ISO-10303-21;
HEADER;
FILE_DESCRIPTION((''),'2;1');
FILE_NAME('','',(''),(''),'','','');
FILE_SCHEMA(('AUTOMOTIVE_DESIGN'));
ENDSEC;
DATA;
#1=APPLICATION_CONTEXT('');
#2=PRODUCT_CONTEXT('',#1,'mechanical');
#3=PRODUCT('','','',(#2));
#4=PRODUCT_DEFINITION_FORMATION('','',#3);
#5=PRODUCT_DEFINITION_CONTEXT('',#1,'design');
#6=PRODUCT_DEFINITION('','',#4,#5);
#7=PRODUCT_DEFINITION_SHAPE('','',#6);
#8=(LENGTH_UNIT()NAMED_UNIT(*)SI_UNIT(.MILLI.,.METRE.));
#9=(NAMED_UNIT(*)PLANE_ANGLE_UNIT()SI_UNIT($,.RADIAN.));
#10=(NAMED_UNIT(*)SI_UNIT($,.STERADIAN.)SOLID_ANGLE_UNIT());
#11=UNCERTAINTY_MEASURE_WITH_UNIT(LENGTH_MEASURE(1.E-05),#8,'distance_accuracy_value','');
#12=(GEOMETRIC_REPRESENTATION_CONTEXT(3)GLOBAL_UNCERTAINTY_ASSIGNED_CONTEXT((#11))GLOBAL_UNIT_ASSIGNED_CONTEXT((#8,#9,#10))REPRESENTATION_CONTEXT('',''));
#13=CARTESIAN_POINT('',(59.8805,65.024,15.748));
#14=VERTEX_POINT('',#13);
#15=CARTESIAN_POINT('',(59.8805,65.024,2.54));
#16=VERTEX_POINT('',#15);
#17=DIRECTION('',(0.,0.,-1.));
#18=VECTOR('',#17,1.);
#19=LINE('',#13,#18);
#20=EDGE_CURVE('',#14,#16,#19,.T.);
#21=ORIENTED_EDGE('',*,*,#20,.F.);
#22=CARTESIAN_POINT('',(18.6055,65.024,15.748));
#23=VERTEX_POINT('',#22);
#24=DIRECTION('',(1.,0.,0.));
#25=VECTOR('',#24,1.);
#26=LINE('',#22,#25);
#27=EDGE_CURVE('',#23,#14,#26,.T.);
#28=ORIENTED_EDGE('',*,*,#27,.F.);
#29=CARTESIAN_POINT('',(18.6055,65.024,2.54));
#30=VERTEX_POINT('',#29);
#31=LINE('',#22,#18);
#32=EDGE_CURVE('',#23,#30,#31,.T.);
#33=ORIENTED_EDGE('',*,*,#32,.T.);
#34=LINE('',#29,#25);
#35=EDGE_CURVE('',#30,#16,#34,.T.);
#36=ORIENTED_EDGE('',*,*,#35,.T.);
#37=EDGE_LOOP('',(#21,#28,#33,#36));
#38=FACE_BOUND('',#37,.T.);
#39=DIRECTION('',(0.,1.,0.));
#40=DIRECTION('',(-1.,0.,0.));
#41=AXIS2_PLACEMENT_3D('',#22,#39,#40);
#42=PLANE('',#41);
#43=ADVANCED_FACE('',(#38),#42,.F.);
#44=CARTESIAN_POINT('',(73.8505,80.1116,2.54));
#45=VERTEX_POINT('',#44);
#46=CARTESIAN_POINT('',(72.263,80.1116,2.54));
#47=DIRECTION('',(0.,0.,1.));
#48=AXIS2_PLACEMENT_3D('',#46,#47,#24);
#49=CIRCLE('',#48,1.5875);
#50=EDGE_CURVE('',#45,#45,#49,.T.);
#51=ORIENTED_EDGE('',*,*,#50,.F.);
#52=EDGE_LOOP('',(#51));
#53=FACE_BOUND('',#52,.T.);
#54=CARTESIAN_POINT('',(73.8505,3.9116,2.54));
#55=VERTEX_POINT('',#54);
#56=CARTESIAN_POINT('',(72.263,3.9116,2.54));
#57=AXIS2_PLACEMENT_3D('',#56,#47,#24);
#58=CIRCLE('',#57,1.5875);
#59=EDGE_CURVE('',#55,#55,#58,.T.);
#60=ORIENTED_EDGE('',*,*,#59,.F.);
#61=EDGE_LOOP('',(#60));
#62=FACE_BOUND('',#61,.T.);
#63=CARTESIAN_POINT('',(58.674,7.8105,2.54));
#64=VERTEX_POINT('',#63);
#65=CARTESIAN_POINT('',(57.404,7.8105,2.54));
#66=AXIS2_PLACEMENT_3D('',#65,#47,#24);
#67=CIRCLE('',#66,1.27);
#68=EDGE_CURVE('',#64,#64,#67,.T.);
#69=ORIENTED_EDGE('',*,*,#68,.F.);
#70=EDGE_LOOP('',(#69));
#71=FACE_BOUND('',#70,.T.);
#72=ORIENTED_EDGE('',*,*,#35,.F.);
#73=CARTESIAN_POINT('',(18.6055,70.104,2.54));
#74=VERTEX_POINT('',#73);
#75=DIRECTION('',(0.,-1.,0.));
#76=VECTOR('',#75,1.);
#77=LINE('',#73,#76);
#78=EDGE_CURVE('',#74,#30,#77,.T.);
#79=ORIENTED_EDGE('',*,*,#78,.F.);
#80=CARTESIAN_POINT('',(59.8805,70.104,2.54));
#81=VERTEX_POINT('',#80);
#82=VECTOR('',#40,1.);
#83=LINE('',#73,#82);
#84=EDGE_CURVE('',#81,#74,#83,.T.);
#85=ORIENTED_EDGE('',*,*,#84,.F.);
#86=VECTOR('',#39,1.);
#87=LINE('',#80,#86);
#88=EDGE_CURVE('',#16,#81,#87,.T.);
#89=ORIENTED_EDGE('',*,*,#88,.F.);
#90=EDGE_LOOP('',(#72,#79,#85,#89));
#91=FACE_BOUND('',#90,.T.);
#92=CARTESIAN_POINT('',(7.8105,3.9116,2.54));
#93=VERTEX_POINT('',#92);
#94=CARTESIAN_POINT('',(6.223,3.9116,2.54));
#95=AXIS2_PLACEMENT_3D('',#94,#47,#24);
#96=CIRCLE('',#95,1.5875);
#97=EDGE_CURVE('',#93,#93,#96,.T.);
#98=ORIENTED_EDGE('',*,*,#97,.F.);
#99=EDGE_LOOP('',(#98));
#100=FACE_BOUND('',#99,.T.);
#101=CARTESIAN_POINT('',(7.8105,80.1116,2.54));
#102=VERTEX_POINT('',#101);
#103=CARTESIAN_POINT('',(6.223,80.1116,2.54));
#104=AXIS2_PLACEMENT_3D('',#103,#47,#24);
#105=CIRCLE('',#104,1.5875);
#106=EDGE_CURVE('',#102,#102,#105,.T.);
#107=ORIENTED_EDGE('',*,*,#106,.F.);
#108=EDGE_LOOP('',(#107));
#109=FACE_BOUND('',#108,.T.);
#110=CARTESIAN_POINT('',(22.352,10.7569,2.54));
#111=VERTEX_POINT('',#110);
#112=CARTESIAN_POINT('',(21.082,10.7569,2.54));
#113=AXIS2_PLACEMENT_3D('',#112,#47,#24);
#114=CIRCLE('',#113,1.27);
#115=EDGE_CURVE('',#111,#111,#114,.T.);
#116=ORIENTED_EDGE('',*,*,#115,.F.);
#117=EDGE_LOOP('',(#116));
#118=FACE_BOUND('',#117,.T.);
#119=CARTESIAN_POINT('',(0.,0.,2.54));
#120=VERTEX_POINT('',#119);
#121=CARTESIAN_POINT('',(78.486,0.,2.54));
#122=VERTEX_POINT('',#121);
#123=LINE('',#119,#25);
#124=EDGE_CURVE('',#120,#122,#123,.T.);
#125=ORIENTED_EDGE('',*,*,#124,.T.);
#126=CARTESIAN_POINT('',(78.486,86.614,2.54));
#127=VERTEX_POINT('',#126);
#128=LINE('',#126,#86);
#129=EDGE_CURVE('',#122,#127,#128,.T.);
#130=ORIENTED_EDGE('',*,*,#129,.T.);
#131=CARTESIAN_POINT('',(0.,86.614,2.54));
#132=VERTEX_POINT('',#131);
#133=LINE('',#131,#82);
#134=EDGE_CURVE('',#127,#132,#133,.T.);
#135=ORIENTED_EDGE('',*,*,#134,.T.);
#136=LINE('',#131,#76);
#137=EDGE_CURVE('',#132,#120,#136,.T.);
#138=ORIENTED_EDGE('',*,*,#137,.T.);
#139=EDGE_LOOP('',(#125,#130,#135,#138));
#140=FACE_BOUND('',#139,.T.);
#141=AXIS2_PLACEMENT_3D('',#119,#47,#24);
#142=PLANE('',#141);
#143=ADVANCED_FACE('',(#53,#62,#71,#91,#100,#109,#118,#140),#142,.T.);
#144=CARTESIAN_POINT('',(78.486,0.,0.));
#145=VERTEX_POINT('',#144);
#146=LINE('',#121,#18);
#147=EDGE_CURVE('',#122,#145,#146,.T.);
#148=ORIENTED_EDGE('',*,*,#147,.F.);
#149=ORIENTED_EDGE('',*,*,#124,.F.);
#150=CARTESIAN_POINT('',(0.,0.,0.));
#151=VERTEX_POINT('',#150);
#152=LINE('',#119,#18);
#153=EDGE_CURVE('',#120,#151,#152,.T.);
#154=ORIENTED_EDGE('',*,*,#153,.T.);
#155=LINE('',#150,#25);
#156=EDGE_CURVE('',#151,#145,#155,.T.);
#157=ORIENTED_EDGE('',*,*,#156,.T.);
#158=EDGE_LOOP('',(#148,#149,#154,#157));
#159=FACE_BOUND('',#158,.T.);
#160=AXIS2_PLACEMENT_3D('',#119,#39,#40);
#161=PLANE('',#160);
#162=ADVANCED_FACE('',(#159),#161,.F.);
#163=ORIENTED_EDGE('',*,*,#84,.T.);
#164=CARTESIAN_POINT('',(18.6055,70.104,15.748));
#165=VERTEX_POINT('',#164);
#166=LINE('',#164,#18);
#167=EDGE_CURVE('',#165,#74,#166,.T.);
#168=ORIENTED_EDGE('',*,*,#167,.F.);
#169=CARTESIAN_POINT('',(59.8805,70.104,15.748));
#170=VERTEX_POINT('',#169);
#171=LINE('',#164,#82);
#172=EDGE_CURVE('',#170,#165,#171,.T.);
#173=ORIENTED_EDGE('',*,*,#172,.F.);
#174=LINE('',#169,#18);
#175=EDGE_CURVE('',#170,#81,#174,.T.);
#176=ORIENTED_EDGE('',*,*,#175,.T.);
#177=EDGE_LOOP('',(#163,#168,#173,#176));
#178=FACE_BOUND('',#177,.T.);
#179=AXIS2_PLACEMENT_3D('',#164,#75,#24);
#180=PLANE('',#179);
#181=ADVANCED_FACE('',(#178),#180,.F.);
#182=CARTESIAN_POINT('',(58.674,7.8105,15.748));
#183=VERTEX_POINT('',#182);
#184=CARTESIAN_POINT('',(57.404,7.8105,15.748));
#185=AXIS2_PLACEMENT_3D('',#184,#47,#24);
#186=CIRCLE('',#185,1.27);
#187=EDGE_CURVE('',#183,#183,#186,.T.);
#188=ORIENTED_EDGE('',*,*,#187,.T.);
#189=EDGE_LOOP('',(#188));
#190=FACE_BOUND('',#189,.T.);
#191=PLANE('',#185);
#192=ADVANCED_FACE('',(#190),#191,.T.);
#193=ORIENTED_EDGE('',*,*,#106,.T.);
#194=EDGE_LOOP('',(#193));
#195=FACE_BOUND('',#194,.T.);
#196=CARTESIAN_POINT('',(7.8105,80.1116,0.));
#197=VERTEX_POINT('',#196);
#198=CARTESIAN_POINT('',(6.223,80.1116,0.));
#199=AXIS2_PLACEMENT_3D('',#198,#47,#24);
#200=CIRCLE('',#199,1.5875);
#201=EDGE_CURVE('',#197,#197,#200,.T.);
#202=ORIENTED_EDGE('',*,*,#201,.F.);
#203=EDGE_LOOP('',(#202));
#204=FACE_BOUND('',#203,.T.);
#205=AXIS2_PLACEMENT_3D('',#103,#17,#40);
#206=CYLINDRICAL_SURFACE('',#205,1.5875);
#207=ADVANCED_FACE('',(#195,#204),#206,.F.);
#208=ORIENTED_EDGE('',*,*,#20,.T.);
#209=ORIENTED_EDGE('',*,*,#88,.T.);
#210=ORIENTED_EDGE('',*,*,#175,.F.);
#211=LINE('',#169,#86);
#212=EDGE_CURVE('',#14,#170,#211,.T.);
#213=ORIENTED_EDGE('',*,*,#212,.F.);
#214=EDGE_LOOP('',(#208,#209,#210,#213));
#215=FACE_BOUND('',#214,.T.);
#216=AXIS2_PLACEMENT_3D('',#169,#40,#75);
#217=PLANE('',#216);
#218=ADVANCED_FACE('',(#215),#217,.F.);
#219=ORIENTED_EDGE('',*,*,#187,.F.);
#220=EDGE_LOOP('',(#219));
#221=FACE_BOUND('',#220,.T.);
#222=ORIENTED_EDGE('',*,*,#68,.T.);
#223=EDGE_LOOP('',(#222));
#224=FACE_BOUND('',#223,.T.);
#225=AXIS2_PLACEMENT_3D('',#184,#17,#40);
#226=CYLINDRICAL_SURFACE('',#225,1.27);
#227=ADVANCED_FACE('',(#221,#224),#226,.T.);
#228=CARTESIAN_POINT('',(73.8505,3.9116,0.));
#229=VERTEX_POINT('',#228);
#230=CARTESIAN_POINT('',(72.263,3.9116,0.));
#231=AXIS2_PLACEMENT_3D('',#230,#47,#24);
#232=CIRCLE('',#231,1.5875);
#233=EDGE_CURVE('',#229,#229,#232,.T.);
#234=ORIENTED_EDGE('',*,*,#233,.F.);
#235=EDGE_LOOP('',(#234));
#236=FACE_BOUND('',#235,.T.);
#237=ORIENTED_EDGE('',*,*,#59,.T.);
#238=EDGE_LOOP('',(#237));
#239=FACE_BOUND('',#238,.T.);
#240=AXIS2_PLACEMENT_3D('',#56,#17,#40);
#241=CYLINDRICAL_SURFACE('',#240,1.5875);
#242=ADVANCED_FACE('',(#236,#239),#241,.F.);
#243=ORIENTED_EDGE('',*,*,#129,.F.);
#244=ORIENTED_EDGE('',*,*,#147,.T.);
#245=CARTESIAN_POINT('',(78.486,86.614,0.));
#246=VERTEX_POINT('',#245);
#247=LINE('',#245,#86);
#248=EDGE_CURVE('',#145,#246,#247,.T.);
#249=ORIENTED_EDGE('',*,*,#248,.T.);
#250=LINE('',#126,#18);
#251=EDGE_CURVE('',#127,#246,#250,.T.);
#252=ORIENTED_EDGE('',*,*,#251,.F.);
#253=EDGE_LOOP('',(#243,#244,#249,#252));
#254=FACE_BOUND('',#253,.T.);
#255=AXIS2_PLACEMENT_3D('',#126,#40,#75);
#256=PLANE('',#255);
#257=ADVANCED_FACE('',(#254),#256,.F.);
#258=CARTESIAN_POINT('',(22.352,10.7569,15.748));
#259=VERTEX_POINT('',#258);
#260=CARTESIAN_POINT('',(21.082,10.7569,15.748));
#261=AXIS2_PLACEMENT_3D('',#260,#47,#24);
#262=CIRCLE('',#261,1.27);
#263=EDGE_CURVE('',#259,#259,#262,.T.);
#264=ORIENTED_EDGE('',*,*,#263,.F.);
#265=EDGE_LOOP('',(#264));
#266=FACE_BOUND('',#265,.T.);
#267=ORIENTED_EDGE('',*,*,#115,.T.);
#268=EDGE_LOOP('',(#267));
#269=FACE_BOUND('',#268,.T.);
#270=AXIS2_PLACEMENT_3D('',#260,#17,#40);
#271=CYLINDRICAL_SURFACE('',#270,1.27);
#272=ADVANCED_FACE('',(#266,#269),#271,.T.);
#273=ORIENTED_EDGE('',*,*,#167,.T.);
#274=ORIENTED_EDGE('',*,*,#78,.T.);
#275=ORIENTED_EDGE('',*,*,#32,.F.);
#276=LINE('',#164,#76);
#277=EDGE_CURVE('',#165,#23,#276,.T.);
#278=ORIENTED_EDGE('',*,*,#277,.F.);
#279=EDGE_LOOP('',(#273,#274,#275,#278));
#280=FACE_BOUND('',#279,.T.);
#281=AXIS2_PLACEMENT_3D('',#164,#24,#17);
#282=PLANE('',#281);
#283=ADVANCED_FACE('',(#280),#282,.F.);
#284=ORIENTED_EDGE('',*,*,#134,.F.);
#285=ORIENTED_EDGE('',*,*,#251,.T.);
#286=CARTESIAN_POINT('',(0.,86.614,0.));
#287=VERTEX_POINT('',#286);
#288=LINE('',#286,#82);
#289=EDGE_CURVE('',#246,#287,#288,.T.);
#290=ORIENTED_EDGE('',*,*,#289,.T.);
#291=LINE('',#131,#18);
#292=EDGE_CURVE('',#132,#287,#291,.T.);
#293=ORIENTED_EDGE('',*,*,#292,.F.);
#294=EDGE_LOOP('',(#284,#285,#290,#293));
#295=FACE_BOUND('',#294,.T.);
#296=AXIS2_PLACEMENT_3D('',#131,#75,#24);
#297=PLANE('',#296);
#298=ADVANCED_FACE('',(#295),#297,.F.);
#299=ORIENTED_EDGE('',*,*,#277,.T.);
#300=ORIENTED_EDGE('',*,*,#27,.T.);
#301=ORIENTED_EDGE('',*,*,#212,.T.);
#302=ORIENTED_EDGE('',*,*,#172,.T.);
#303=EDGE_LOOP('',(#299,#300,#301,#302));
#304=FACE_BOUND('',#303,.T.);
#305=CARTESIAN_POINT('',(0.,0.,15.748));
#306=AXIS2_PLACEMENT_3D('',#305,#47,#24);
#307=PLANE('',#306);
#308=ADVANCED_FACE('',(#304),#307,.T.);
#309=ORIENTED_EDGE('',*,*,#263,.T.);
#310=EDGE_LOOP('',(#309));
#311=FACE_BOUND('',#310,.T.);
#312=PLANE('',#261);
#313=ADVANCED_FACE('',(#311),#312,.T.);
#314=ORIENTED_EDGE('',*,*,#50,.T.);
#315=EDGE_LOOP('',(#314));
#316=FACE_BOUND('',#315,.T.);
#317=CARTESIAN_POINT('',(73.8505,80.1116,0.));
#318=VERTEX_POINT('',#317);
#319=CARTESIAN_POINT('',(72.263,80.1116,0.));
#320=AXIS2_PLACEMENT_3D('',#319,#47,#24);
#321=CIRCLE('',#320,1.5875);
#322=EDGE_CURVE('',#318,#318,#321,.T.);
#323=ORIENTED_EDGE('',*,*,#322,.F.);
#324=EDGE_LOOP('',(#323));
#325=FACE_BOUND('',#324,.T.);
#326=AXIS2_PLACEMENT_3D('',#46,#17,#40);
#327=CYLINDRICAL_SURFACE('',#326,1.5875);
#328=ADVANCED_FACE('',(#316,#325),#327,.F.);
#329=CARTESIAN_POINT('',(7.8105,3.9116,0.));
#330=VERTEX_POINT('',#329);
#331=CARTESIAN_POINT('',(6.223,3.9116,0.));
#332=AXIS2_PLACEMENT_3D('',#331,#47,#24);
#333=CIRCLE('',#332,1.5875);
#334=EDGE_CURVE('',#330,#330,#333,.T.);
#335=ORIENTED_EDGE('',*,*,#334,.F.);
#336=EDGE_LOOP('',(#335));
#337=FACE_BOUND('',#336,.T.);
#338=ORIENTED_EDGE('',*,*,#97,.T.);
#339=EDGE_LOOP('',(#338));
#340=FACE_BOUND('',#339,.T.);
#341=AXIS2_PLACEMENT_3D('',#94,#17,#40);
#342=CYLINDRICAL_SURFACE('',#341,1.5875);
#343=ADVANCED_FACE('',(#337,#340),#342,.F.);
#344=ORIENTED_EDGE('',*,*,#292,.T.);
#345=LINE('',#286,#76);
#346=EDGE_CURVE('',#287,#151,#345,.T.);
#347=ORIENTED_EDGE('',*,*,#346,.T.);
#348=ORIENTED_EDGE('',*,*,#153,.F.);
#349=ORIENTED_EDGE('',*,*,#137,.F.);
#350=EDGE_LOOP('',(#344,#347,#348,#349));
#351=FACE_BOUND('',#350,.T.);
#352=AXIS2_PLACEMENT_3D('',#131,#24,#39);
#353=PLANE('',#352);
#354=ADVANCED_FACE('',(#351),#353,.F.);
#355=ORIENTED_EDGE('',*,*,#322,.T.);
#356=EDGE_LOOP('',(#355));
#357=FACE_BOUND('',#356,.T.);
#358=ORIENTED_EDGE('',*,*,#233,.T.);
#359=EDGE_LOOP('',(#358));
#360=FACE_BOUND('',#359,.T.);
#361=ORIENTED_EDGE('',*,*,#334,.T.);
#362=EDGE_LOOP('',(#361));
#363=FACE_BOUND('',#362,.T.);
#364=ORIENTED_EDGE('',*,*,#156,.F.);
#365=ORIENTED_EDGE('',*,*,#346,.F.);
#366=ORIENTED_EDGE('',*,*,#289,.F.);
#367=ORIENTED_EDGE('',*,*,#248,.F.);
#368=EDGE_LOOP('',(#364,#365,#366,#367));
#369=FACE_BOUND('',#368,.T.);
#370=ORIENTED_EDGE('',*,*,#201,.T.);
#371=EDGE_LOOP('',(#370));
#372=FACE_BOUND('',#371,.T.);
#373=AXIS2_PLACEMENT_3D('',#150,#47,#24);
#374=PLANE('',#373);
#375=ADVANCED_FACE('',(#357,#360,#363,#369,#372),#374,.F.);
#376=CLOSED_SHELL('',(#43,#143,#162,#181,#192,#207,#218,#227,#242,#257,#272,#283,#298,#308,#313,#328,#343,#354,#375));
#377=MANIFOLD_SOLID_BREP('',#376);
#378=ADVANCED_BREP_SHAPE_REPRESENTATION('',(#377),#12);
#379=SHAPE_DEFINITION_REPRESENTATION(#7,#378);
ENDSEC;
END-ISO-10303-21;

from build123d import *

# Parameters (mm, degrees)
SKETCH1_W           = 78.486
SKETCH1_H           = 86.614
SKETCH1_R           = 1.5875
BOSS_EXTRUDE1_DEPTH = 2.54
SKETCH2_R           = 1.27
SKETCH2_W           = 41.275
SKETCH2_H           = 5.08
BOSS_EXTRUDE2_DEPTH = 13.208


with BuildPart() as part:
    # Sketch1 → Boss-Extrude1 (new body)
    with BuildSketch(Plane.XY):
        with Locations((39.243, 43.307)):
            Rectangle(SKETCH1_W, SKETCH1_H)
        with Locations((6.223, 80.1116)):
            Circle(SKETCH1_R, mode=Mode.SUBTRACT)
        with Locations((72.263, 80.1116)):
            Circle(SKETCH1_R, mode=Mode.SUBTRACT)
        with Locations((72.263, 3.9116)):
            Circle(SKETCH1_R, mode=Mode.SUBTRACT)
        with Locations((6.223, 3.9116)):
            Circle(SKETCH1_R, mode=Mode.SUBTRACT)
    extrude(amount=BOSS_EXTRUDE1_DEPTH)

    # Sketch2 → Boss-Extrude2 (add)
    with BuildSketch(Plane.XY.offset(2.54)):
        with Locations((21.082, 10.7569)):
            Circle(SKETCH2_R)
        with Locations((57.404, 7.8105)):
            Circle(SKETCH2_R)
        with Locations((39.243, 67.564)):
            Rectangle(SKETCH2_W, SKETCH2_H)
    extrude(amount=BOSS_EXTRUDE2_DEPTH)


solid = part.part
